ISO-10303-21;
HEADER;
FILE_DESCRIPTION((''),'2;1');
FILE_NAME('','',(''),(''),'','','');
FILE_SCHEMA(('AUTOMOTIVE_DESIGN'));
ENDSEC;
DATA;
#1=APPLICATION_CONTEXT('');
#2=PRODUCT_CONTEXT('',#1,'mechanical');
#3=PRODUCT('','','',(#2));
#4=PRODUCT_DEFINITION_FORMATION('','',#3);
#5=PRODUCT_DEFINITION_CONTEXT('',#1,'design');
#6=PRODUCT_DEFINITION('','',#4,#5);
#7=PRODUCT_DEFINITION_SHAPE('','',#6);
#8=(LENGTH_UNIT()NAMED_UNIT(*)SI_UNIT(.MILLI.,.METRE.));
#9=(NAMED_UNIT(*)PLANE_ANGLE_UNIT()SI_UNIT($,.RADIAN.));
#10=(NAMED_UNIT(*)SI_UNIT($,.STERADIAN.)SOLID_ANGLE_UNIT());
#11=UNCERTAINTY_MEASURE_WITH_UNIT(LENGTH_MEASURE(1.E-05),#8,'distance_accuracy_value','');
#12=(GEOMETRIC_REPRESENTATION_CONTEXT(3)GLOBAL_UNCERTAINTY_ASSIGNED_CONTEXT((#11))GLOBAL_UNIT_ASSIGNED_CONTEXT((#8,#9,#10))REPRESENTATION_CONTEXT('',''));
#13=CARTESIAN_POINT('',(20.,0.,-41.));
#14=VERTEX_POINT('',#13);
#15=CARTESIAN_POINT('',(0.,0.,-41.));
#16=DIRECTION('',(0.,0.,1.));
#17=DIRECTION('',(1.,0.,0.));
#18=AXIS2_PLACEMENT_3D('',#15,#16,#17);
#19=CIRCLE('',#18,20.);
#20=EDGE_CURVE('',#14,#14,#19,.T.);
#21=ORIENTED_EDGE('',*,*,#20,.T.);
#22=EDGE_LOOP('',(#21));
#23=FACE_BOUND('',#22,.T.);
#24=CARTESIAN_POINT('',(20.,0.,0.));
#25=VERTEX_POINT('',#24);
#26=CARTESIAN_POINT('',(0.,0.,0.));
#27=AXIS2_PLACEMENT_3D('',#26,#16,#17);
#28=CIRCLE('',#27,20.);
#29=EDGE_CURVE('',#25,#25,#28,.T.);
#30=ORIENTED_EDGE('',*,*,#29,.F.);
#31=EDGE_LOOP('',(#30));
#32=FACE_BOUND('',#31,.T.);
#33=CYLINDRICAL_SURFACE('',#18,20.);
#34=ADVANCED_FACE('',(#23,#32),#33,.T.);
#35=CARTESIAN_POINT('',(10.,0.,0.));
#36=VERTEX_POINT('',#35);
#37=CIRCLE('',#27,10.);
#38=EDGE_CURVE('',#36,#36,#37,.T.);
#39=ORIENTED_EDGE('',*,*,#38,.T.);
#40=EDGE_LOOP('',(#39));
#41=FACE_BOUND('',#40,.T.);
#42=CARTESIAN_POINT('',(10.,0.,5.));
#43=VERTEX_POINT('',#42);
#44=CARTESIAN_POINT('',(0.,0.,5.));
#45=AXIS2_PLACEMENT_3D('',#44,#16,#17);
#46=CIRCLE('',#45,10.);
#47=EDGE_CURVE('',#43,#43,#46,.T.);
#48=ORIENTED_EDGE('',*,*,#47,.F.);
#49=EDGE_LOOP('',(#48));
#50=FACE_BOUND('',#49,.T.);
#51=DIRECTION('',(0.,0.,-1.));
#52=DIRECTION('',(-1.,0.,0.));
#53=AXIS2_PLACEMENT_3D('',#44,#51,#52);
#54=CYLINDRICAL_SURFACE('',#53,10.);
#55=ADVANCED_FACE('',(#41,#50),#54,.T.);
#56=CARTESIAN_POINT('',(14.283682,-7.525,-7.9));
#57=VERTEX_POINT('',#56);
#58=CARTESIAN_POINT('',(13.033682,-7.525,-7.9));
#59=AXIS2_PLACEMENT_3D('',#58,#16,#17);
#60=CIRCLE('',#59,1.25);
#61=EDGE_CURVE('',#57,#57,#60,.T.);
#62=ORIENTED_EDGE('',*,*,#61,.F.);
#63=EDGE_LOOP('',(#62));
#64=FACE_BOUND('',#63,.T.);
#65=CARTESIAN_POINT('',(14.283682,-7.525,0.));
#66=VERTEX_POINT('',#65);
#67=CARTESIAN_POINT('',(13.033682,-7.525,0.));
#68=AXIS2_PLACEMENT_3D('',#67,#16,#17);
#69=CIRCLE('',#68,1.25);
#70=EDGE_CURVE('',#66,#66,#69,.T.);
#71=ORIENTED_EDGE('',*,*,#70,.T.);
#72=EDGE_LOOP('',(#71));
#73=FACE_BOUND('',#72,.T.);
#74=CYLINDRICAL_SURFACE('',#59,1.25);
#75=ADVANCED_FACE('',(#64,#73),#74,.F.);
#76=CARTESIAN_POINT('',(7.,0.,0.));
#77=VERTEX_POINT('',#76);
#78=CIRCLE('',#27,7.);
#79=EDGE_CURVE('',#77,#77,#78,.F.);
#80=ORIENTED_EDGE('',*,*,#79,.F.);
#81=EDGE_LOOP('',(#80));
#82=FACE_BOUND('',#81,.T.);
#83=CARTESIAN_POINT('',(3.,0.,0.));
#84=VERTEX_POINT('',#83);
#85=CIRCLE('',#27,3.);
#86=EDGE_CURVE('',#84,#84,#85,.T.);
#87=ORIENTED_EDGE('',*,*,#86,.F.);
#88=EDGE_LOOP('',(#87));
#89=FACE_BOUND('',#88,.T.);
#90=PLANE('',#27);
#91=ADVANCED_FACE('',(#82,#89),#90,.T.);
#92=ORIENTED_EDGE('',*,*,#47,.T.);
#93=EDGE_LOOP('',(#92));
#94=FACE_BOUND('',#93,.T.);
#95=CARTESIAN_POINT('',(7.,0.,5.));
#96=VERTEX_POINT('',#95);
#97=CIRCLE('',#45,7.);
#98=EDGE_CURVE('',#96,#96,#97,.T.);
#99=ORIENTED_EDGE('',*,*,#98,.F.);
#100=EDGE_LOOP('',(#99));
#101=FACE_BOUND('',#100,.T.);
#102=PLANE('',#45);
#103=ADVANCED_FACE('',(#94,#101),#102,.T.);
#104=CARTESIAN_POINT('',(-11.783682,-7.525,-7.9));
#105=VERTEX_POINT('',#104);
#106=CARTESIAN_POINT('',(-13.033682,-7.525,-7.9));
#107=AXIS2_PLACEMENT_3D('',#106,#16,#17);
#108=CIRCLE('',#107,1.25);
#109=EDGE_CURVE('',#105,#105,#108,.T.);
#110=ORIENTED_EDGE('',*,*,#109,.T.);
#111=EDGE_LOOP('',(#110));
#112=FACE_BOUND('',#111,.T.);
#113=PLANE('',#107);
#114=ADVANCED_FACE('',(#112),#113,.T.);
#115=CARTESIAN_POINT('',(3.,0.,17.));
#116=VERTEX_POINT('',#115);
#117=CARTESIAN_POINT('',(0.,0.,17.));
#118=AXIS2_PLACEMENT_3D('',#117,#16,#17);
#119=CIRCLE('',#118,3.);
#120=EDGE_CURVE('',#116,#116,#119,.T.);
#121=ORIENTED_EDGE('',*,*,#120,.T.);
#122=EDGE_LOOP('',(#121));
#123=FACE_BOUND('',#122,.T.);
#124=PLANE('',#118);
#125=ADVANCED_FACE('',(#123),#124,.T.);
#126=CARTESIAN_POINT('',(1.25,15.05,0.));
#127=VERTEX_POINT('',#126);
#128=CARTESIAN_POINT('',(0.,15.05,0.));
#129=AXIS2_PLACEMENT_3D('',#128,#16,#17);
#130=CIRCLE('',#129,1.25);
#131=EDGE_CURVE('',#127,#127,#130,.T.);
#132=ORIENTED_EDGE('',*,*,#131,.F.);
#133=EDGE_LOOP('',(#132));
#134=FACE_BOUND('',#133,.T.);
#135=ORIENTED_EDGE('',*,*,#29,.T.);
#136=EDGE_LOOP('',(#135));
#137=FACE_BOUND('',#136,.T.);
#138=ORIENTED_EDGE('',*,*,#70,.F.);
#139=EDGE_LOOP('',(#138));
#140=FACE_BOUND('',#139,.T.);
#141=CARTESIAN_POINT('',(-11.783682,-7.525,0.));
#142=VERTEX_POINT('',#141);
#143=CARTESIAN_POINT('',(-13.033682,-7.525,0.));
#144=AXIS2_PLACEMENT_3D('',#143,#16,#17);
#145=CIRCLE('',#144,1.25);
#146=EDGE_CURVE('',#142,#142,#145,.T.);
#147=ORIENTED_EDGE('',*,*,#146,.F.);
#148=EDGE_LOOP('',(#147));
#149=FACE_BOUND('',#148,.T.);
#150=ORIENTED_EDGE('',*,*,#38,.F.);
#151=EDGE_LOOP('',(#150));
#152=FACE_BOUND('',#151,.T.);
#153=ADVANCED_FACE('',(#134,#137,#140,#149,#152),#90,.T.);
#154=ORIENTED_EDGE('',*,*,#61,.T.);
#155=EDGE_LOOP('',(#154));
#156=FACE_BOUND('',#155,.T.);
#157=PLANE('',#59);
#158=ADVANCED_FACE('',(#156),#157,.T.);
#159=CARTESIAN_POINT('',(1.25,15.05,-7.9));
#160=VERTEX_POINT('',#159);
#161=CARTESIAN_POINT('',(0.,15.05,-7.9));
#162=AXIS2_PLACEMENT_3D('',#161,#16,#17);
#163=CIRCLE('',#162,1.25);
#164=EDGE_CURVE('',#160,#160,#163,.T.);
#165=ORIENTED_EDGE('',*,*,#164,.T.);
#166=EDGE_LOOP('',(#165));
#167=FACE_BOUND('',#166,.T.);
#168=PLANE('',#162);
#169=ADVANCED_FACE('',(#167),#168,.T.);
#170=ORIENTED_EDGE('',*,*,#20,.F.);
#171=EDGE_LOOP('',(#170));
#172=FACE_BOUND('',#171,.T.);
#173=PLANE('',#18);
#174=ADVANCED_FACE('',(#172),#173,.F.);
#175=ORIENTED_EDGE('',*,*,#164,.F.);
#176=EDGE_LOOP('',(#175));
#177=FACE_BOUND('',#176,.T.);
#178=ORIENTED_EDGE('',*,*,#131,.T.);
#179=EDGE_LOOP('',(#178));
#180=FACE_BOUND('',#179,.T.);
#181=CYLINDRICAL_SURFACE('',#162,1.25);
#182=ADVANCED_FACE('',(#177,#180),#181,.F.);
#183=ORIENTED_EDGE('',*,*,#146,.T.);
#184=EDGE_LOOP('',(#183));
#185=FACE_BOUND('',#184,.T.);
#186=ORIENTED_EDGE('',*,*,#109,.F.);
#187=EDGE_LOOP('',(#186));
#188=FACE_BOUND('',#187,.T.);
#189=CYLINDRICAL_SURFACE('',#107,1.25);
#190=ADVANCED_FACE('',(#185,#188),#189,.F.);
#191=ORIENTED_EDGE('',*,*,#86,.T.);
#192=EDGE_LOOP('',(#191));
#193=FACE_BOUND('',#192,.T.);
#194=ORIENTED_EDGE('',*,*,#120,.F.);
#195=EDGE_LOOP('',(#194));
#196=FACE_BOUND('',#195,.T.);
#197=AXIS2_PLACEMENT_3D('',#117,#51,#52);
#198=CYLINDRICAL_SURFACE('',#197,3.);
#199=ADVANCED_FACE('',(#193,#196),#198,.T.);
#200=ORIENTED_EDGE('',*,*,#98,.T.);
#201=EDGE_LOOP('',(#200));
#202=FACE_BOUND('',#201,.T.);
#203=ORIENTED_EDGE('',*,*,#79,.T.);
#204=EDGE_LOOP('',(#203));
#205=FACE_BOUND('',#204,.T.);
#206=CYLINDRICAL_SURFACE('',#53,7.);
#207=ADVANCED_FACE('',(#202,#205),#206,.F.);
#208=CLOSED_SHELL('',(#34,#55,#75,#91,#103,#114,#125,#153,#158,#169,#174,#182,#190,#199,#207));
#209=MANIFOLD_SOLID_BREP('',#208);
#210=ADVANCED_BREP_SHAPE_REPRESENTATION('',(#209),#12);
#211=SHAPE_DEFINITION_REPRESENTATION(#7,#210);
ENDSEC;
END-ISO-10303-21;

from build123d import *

# Parameters (mm, degrees)
ESQUISSE1_R             = 20
BOSS_EXTRU_1_DEPTH      = 41
ESQUISSE2_R             = 10
ESQUISSE2_R_2           = 7
BOSS_EXTRU_2_DEPTH      = 5
ESQUISSE3_R             = 3
BOSS_EXTRU_3_DEPTH      = 17
ESQUISSE4_R             = 1.25
ENL_V_MAT_EXTRU_1_DEPTH = 7.9


with BuildPart() as part:
    # Esquisse1 → Boss.-Extru.1 (new body)
    with BuildSketch(Plane.XY):
        Circle(ESQUISSE1_R)
    extrude(amount=-BOSS_EXTRU_1_DEPTH)

    # Esquisse2 → Boss.-Extru.2 (add)
    with BuildSketch(Plane.XY):
        Circle(ESQUISSE2_R)
        Circle(ESQUISSE2_R_2, mode=Mode.SUBTRACT)
    extrude(amount=BOSS_EXTRU_2_DEPTH)

    # Esquisse3 → Boss.-Extru.3 (add)
    with BuildSketch(Plane.XY):
        Circle(ESQUISSE3_R)
    extrude(amount=BOSS_EXTRU_3_DEPTH)

    # Esquisse4 → Enlèv. mat.-Extru.1 (cut)
    with BuildSketch(Plane.XY):
        with Locations((0, 15.05)):
            Circle(ESQUISSE4_R)
        with Locations((13.033682327, -7.525)):
            Circle(ESQUISSE4_R)
        with Locations((-13.033682327, -7.525)):
            Circle(ESQUISSE4_R)
    extrude(amount=-ENL_V_MAT_EXTRU_1_DEPTH, mode=Mode.SUBTRACT)


solid = part.part
